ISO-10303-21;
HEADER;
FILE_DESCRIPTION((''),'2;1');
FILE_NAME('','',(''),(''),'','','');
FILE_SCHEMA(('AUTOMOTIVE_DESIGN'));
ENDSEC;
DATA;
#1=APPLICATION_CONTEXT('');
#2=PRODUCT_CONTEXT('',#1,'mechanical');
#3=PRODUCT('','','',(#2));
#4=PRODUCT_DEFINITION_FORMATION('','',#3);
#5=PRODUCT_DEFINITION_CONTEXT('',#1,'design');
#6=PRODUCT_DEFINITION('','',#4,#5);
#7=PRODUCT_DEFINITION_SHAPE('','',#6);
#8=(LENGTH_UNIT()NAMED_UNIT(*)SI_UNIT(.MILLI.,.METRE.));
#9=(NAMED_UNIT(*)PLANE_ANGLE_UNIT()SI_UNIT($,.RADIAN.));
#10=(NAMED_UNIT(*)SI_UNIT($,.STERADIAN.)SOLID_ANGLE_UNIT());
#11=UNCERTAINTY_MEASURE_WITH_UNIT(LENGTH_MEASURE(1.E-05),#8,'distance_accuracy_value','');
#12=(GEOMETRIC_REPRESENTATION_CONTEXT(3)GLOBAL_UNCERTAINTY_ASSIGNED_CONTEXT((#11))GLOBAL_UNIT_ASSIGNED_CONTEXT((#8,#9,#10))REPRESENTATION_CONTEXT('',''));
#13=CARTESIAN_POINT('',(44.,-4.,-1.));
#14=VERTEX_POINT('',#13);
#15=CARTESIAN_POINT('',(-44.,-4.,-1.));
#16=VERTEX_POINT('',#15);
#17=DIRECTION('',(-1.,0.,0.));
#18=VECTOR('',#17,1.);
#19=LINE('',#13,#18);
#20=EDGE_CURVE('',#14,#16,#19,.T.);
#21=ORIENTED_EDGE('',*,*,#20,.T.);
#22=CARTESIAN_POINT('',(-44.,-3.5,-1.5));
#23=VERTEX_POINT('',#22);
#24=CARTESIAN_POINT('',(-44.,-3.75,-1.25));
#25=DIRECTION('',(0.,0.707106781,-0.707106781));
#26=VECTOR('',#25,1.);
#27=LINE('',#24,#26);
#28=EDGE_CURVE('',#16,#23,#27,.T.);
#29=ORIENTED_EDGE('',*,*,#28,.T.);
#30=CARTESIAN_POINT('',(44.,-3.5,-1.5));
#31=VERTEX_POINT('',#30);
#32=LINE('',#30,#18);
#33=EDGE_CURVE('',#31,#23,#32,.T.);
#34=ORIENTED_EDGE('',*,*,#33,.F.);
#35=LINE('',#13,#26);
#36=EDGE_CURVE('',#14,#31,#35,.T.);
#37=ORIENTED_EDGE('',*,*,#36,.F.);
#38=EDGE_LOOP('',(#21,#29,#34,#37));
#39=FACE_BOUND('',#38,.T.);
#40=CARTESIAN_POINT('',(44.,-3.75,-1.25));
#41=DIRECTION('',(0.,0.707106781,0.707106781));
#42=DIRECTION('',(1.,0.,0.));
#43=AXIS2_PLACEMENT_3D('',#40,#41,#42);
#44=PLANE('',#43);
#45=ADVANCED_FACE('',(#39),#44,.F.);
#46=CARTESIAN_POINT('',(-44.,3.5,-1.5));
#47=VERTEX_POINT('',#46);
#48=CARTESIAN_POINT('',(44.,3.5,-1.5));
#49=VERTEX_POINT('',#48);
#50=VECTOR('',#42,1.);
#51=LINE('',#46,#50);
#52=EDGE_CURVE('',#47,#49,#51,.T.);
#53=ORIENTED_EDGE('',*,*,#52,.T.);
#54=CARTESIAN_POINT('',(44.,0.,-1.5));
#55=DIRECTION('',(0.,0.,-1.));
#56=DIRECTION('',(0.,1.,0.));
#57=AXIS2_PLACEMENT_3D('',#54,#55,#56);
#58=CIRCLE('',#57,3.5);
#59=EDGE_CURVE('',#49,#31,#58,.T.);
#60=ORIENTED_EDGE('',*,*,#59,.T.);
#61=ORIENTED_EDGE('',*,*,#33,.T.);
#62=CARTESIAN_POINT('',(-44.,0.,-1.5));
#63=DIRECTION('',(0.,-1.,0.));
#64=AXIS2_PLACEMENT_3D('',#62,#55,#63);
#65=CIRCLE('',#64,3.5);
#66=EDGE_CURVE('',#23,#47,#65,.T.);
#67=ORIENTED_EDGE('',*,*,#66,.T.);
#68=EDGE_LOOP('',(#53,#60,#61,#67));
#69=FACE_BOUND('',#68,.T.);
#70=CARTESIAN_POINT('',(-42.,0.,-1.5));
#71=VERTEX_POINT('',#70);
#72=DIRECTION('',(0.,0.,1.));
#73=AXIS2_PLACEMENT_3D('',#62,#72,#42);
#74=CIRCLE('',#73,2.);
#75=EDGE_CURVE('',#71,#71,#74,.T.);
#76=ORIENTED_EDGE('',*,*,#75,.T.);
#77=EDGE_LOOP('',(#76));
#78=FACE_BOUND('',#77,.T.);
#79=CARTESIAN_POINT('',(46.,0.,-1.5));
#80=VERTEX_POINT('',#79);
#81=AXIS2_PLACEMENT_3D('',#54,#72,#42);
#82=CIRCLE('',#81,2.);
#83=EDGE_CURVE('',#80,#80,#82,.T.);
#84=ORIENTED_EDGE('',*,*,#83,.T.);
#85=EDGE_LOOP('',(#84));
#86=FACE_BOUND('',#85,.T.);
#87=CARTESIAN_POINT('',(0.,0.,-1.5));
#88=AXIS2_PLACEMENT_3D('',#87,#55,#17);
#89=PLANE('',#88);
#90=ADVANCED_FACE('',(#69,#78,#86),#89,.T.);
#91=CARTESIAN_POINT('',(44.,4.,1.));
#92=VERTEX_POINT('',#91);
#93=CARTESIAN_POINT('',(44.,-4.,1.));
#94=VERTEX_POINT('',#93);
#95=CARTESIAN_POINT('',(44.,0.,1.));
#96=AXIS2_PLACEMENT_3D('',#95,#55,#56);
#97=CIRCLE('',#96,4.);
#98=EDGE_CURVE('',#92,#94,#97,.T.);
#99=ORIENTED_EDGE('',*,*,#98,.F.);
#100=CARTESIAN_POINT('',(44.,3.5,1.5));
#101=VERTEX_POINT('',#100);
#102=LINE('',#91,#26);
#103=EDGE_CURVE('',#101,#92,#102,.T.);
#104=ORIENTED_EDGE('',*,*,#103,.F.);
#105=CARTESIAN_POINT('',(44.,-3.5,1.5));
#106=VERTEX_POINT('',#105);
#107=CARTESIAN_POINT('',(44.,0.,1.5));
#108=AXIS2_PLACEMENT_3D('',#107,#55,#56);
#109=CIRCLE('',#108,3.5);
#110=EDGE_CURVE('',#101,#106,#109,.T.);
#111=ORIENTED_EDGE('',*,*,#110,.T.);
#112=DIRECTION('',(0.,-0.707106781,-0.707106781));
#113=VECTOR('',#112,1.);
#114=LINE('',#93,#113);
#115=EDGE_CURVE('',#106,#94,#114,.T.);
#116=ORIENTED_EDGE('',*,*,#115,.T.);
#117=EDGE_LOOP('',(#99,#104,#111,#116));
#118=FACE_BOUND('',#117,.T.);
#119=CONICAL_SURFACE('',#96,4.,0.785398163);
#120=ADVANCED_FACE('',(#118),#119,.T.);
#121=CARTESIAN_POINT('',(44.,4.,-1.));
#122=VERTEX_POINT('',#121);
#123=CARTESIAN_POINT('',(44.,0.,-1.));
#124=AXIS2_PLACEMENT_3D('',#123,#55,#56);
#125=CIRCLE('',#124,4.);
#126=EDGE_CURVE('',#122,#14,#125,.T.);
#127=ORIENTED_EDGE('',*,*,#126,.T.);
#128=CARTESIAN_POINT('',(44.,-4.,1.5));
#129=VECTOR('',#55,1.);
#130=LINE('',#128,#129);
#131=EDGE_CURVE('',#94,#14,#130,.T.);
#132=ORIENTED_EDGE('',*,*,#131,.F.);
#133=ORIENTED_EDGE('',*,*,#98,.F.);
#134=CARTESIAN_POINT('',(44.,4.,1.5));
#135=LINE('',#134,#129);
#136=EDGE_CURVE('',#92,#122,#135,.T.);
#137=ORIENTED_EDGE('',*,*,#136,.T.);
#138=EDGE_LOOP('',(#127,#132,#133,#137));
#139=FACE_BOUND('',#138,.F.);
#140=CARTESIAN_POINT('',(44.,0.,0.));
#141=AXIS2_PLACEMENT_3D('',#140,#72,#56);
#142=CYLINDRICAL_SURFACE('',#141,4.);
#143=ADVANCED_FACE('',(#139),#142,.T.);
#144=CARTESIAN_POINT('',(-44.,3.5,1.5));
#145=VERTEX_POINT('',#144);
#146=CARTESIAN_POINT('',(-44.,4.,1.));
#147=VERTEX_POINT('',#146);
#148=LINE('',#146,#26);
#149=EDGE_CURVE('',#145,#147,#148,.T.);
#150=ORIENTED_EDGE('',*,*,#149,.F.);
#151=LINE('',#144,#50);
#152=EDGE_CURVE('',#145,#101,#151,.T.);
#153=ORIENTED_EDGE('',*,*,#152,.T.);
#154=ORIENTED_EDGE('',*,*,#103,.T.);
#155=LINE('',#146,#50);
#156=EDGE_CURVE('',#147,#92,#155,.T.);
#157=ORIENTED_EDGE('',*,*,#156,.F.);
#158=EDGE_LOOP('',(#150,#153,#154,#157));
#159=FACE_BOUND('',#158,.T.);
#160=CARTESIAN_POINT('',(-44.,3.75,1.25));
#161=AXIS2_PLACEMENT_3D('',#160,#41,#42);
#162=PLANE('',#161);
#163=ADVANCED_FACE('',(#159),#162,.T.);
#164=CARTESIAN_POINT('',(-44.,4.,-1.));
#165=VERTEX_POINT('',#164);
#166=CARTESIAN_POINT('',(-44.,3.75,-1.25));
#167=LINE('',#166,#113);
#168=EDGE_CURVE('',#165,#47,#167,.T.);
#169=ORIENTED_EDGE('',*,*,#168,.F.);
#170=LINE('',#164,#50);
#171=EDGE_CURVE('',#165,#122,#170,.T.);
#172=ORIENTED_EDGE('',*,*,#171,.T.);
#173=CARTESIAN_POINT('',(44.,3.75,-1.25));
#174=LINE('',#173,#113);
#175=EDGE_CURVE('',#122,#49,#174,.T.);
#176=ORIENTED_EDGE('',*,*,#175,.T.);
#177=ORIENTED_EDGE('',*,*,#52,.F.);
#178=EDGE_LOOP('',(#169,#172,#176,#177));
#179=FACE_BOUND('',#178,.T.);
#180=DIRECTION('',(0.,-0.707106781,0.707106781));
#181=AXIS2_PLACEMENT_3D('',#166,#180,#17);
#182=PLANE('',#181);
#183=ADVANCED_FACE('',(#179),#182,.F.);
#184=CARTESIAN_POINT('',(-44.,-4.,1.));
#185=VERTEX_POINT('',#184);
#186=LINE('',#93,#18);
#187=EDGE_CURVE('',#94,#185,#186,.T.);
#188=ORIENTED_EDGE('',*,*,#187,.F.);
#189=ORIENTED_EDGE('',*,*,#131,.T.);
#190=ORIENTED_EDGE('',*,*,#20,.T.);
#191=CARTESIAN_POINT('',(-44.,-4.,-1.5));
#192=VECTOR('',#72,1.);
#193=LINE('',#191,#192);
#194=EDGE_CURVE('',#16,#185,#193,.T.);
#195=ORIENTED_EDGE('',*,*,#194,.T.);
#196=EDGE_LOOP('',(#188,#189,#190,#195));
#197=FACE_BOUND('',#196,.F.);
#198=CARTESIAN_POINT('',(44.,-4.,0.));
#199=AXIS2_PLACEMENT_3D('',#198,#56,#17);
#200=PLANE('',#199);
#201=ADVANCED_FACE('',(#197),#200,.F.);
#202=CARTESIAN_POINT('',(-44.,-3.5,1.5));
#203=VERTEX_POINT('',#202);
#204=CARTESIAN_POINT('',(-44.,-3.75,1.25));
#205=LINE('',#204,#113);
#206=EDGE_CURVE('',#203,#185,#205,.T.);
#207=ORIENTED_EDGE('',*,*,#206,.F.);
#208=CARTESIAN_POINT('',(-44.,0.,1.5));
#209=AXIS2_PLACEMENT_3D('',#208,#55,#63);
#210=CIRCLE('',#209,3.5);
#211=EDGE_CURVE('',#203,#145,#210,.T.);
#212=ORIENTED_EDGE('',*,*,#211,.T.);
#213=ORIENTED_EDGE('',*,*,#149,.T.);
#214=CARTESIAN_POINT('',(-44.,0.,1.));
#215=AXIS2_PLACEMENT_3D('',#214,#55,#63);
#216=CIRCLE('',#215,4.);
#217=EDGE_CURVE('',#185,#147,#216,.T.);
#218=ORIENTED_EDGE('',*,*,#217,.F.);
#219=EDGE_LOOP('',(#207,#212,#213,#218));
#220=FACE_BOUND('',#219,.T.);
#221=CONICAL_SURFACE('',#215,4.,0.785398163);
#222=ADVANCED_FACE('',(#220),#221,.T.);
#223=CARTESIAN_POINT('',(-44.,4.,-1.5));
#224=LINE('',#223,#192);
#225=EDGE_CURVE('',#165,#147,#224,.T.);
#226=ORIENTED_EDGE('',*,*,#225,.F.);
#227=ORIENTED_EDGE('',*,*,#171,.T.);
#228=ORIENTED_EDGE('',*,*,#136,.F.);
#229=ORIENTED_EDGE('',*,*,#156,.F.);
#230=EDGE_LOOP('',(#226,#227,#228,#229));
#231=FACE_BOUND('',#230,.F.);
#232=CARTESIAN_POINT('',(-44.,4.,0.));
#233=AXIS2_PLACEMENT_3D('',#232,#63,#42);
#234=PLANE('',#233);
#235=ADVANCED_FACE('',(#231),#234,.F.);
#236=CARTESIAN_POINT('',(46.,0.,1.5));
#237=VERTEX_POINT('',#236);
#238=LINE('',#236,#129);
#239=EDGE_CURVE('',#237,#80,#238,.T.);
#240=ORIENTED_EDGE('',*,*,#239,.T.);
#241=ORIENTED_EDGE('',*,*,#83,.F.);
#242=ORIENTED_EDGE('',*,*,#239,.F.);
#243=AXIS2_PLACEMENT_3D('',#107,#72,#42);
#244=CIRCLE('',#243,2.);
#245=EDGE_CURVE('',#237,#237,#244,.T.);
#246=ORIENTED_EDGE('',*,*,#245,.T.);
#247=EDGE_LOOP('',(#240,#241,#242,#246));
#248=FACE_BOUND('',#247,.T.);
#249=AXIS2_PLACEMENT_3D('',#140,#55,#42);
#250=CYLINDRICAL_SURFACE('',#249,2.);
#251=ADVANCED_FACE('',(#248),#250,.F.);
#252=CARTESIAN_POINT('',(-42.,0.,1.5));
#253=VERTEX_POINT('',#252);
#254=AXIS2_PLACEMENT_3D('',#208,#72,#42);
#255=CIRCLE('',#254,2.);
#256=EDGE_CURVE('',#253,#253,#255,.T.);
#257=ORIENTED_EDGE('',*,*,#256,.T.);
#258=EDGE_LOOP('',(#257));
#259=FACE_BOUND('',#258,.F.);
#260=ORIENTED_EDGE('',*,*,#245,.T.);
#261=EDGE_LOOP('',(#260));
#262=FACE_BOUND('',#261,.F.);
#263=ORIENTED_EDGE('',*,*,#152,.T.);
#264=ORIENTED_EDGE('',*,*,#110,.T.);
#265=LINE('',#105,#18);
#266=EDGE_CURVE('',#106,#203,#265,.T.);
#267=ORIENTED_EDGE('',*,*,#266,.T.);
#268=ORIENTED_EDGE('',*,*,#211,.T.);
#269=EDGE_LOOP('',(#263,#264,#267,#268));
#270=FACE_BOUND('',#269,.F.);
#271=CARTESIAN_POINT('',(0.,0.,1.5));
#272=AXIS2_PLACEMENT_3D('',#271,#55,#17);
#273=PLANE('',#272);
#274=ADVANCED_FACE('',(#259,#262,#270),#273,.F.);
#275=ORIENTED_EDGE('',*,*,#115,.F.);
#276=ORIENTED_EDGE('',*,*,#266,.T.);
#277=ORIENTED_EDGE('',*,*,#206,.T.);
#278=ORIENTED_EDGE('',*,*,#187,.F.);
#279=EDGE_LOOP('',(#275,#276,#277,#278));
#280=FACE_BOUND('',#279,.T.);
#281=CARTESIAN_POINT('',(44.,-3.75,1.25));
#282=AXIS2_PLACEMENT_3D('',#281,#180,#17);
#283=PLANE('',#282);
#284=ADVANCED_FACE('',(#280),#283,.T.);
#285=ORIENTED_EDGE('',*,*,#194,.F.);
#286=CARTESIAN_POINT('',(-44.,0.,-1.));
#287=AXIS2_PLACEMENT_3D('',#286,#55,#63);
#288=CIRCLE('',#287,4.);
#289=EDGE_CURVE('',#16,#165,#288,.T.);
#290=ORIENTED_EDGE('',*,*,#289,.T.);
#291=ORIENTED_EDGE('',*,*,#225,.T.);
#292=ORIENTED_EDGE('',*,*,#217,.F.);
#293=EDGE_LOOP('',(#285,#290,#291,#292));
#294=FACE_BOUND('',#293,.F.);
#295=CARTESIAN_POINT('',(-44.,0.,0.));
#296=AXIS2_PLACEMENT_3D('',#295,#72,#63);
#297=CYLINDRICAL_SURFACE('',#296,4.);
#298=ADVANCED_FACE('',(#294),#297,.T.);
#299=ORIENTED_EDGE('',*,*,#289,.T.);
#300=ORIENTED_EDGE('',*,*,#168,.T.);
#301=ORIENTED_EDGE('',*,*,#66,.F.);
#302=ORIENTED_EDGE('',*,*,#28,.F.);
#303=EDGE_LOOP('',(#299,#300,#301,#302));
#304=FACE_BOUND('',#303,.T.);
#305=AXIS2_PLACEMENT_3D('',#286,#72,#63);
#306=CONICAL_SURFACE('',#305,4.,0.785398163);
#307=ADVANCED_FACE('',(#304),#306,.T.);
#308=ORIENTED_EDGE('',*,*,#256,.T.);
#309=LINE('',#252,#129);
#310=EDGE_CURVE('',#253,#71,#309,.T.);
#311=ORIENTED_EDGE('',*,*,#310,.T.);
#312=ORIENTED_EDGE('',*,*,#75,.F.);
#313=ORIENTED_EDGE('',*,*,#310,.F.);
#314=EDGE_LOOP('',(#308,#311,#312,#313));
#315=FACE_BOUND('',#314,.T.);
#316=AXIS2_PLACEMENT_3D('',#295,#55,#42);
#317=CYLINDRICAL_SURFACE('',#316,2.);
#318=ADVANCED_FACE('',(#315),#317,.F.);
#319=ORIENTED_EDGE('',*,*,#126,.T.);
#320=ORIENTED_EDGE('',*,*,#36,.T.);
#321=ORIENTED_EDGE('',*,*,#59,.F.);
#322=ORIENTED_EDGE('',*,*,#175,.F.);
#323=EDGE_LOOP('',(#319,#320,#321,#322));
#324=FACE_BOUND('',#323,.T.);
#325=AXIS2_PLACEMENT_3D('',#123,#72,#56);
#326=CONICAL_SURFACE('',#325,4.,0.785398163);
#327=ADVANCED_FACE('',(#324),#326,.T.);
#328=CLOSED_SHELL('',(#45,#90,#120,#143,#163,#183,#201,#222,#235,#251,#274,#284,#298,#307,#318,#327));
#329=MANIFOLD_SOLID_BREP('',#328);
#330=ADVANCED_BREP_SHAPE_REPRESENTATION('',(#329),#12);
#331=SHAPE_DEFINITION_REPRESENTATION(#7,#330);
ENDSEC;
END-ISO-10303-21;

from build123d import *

# Parameters (mm, degrees)
SKETCH1_R           = 2
BOSS_EXTRUDE1_DEPTH = 1.5
CHAMFER1_SIZE       = 0.5


with BuildPart() as part:
    # Sketch1 → Boss-Extrude1 (new body, symmetric)
    with BuildSketch(Plane.XY):
        with BuildLine():
            Line((-44, 4), (44, 4))
            ThreePointArc((44, 4), (48, 0), (44, -4))
            Line((44, -4), (-44, -4))
            ThreePointArc((-44, -4), (-48, 0), (-44, 4))
        make_face()
        with Locations((-44, 0)):
            Circle(SKETCH1_R, mode=Mode.SUBTRACT)
        with Locations((44, 0)):
            Circle(SKETCH1_R, mode=Mode.SUBTRACT)
    extrude(amount=BOSS_EXTRUDE1_DEPTH, both=True)

    # Chamfer1
    chamfer1_edges = [part.edges().sort_by_distance(p)[0] for p in [
        (48, 0, 1.5),
        (0, 4, 1.5),
        (-48, 0, 1.5),
        (0, 4, -1.5),
        (48, 0, -1.5),
        (0, -4, -1.5),
        (-48, 0, -1.5),
        (0, -4, 1.5),
    ]]
    chamfer(chamfer1_edges, length=CHAMFER1_SIZE)


solid = part.part
